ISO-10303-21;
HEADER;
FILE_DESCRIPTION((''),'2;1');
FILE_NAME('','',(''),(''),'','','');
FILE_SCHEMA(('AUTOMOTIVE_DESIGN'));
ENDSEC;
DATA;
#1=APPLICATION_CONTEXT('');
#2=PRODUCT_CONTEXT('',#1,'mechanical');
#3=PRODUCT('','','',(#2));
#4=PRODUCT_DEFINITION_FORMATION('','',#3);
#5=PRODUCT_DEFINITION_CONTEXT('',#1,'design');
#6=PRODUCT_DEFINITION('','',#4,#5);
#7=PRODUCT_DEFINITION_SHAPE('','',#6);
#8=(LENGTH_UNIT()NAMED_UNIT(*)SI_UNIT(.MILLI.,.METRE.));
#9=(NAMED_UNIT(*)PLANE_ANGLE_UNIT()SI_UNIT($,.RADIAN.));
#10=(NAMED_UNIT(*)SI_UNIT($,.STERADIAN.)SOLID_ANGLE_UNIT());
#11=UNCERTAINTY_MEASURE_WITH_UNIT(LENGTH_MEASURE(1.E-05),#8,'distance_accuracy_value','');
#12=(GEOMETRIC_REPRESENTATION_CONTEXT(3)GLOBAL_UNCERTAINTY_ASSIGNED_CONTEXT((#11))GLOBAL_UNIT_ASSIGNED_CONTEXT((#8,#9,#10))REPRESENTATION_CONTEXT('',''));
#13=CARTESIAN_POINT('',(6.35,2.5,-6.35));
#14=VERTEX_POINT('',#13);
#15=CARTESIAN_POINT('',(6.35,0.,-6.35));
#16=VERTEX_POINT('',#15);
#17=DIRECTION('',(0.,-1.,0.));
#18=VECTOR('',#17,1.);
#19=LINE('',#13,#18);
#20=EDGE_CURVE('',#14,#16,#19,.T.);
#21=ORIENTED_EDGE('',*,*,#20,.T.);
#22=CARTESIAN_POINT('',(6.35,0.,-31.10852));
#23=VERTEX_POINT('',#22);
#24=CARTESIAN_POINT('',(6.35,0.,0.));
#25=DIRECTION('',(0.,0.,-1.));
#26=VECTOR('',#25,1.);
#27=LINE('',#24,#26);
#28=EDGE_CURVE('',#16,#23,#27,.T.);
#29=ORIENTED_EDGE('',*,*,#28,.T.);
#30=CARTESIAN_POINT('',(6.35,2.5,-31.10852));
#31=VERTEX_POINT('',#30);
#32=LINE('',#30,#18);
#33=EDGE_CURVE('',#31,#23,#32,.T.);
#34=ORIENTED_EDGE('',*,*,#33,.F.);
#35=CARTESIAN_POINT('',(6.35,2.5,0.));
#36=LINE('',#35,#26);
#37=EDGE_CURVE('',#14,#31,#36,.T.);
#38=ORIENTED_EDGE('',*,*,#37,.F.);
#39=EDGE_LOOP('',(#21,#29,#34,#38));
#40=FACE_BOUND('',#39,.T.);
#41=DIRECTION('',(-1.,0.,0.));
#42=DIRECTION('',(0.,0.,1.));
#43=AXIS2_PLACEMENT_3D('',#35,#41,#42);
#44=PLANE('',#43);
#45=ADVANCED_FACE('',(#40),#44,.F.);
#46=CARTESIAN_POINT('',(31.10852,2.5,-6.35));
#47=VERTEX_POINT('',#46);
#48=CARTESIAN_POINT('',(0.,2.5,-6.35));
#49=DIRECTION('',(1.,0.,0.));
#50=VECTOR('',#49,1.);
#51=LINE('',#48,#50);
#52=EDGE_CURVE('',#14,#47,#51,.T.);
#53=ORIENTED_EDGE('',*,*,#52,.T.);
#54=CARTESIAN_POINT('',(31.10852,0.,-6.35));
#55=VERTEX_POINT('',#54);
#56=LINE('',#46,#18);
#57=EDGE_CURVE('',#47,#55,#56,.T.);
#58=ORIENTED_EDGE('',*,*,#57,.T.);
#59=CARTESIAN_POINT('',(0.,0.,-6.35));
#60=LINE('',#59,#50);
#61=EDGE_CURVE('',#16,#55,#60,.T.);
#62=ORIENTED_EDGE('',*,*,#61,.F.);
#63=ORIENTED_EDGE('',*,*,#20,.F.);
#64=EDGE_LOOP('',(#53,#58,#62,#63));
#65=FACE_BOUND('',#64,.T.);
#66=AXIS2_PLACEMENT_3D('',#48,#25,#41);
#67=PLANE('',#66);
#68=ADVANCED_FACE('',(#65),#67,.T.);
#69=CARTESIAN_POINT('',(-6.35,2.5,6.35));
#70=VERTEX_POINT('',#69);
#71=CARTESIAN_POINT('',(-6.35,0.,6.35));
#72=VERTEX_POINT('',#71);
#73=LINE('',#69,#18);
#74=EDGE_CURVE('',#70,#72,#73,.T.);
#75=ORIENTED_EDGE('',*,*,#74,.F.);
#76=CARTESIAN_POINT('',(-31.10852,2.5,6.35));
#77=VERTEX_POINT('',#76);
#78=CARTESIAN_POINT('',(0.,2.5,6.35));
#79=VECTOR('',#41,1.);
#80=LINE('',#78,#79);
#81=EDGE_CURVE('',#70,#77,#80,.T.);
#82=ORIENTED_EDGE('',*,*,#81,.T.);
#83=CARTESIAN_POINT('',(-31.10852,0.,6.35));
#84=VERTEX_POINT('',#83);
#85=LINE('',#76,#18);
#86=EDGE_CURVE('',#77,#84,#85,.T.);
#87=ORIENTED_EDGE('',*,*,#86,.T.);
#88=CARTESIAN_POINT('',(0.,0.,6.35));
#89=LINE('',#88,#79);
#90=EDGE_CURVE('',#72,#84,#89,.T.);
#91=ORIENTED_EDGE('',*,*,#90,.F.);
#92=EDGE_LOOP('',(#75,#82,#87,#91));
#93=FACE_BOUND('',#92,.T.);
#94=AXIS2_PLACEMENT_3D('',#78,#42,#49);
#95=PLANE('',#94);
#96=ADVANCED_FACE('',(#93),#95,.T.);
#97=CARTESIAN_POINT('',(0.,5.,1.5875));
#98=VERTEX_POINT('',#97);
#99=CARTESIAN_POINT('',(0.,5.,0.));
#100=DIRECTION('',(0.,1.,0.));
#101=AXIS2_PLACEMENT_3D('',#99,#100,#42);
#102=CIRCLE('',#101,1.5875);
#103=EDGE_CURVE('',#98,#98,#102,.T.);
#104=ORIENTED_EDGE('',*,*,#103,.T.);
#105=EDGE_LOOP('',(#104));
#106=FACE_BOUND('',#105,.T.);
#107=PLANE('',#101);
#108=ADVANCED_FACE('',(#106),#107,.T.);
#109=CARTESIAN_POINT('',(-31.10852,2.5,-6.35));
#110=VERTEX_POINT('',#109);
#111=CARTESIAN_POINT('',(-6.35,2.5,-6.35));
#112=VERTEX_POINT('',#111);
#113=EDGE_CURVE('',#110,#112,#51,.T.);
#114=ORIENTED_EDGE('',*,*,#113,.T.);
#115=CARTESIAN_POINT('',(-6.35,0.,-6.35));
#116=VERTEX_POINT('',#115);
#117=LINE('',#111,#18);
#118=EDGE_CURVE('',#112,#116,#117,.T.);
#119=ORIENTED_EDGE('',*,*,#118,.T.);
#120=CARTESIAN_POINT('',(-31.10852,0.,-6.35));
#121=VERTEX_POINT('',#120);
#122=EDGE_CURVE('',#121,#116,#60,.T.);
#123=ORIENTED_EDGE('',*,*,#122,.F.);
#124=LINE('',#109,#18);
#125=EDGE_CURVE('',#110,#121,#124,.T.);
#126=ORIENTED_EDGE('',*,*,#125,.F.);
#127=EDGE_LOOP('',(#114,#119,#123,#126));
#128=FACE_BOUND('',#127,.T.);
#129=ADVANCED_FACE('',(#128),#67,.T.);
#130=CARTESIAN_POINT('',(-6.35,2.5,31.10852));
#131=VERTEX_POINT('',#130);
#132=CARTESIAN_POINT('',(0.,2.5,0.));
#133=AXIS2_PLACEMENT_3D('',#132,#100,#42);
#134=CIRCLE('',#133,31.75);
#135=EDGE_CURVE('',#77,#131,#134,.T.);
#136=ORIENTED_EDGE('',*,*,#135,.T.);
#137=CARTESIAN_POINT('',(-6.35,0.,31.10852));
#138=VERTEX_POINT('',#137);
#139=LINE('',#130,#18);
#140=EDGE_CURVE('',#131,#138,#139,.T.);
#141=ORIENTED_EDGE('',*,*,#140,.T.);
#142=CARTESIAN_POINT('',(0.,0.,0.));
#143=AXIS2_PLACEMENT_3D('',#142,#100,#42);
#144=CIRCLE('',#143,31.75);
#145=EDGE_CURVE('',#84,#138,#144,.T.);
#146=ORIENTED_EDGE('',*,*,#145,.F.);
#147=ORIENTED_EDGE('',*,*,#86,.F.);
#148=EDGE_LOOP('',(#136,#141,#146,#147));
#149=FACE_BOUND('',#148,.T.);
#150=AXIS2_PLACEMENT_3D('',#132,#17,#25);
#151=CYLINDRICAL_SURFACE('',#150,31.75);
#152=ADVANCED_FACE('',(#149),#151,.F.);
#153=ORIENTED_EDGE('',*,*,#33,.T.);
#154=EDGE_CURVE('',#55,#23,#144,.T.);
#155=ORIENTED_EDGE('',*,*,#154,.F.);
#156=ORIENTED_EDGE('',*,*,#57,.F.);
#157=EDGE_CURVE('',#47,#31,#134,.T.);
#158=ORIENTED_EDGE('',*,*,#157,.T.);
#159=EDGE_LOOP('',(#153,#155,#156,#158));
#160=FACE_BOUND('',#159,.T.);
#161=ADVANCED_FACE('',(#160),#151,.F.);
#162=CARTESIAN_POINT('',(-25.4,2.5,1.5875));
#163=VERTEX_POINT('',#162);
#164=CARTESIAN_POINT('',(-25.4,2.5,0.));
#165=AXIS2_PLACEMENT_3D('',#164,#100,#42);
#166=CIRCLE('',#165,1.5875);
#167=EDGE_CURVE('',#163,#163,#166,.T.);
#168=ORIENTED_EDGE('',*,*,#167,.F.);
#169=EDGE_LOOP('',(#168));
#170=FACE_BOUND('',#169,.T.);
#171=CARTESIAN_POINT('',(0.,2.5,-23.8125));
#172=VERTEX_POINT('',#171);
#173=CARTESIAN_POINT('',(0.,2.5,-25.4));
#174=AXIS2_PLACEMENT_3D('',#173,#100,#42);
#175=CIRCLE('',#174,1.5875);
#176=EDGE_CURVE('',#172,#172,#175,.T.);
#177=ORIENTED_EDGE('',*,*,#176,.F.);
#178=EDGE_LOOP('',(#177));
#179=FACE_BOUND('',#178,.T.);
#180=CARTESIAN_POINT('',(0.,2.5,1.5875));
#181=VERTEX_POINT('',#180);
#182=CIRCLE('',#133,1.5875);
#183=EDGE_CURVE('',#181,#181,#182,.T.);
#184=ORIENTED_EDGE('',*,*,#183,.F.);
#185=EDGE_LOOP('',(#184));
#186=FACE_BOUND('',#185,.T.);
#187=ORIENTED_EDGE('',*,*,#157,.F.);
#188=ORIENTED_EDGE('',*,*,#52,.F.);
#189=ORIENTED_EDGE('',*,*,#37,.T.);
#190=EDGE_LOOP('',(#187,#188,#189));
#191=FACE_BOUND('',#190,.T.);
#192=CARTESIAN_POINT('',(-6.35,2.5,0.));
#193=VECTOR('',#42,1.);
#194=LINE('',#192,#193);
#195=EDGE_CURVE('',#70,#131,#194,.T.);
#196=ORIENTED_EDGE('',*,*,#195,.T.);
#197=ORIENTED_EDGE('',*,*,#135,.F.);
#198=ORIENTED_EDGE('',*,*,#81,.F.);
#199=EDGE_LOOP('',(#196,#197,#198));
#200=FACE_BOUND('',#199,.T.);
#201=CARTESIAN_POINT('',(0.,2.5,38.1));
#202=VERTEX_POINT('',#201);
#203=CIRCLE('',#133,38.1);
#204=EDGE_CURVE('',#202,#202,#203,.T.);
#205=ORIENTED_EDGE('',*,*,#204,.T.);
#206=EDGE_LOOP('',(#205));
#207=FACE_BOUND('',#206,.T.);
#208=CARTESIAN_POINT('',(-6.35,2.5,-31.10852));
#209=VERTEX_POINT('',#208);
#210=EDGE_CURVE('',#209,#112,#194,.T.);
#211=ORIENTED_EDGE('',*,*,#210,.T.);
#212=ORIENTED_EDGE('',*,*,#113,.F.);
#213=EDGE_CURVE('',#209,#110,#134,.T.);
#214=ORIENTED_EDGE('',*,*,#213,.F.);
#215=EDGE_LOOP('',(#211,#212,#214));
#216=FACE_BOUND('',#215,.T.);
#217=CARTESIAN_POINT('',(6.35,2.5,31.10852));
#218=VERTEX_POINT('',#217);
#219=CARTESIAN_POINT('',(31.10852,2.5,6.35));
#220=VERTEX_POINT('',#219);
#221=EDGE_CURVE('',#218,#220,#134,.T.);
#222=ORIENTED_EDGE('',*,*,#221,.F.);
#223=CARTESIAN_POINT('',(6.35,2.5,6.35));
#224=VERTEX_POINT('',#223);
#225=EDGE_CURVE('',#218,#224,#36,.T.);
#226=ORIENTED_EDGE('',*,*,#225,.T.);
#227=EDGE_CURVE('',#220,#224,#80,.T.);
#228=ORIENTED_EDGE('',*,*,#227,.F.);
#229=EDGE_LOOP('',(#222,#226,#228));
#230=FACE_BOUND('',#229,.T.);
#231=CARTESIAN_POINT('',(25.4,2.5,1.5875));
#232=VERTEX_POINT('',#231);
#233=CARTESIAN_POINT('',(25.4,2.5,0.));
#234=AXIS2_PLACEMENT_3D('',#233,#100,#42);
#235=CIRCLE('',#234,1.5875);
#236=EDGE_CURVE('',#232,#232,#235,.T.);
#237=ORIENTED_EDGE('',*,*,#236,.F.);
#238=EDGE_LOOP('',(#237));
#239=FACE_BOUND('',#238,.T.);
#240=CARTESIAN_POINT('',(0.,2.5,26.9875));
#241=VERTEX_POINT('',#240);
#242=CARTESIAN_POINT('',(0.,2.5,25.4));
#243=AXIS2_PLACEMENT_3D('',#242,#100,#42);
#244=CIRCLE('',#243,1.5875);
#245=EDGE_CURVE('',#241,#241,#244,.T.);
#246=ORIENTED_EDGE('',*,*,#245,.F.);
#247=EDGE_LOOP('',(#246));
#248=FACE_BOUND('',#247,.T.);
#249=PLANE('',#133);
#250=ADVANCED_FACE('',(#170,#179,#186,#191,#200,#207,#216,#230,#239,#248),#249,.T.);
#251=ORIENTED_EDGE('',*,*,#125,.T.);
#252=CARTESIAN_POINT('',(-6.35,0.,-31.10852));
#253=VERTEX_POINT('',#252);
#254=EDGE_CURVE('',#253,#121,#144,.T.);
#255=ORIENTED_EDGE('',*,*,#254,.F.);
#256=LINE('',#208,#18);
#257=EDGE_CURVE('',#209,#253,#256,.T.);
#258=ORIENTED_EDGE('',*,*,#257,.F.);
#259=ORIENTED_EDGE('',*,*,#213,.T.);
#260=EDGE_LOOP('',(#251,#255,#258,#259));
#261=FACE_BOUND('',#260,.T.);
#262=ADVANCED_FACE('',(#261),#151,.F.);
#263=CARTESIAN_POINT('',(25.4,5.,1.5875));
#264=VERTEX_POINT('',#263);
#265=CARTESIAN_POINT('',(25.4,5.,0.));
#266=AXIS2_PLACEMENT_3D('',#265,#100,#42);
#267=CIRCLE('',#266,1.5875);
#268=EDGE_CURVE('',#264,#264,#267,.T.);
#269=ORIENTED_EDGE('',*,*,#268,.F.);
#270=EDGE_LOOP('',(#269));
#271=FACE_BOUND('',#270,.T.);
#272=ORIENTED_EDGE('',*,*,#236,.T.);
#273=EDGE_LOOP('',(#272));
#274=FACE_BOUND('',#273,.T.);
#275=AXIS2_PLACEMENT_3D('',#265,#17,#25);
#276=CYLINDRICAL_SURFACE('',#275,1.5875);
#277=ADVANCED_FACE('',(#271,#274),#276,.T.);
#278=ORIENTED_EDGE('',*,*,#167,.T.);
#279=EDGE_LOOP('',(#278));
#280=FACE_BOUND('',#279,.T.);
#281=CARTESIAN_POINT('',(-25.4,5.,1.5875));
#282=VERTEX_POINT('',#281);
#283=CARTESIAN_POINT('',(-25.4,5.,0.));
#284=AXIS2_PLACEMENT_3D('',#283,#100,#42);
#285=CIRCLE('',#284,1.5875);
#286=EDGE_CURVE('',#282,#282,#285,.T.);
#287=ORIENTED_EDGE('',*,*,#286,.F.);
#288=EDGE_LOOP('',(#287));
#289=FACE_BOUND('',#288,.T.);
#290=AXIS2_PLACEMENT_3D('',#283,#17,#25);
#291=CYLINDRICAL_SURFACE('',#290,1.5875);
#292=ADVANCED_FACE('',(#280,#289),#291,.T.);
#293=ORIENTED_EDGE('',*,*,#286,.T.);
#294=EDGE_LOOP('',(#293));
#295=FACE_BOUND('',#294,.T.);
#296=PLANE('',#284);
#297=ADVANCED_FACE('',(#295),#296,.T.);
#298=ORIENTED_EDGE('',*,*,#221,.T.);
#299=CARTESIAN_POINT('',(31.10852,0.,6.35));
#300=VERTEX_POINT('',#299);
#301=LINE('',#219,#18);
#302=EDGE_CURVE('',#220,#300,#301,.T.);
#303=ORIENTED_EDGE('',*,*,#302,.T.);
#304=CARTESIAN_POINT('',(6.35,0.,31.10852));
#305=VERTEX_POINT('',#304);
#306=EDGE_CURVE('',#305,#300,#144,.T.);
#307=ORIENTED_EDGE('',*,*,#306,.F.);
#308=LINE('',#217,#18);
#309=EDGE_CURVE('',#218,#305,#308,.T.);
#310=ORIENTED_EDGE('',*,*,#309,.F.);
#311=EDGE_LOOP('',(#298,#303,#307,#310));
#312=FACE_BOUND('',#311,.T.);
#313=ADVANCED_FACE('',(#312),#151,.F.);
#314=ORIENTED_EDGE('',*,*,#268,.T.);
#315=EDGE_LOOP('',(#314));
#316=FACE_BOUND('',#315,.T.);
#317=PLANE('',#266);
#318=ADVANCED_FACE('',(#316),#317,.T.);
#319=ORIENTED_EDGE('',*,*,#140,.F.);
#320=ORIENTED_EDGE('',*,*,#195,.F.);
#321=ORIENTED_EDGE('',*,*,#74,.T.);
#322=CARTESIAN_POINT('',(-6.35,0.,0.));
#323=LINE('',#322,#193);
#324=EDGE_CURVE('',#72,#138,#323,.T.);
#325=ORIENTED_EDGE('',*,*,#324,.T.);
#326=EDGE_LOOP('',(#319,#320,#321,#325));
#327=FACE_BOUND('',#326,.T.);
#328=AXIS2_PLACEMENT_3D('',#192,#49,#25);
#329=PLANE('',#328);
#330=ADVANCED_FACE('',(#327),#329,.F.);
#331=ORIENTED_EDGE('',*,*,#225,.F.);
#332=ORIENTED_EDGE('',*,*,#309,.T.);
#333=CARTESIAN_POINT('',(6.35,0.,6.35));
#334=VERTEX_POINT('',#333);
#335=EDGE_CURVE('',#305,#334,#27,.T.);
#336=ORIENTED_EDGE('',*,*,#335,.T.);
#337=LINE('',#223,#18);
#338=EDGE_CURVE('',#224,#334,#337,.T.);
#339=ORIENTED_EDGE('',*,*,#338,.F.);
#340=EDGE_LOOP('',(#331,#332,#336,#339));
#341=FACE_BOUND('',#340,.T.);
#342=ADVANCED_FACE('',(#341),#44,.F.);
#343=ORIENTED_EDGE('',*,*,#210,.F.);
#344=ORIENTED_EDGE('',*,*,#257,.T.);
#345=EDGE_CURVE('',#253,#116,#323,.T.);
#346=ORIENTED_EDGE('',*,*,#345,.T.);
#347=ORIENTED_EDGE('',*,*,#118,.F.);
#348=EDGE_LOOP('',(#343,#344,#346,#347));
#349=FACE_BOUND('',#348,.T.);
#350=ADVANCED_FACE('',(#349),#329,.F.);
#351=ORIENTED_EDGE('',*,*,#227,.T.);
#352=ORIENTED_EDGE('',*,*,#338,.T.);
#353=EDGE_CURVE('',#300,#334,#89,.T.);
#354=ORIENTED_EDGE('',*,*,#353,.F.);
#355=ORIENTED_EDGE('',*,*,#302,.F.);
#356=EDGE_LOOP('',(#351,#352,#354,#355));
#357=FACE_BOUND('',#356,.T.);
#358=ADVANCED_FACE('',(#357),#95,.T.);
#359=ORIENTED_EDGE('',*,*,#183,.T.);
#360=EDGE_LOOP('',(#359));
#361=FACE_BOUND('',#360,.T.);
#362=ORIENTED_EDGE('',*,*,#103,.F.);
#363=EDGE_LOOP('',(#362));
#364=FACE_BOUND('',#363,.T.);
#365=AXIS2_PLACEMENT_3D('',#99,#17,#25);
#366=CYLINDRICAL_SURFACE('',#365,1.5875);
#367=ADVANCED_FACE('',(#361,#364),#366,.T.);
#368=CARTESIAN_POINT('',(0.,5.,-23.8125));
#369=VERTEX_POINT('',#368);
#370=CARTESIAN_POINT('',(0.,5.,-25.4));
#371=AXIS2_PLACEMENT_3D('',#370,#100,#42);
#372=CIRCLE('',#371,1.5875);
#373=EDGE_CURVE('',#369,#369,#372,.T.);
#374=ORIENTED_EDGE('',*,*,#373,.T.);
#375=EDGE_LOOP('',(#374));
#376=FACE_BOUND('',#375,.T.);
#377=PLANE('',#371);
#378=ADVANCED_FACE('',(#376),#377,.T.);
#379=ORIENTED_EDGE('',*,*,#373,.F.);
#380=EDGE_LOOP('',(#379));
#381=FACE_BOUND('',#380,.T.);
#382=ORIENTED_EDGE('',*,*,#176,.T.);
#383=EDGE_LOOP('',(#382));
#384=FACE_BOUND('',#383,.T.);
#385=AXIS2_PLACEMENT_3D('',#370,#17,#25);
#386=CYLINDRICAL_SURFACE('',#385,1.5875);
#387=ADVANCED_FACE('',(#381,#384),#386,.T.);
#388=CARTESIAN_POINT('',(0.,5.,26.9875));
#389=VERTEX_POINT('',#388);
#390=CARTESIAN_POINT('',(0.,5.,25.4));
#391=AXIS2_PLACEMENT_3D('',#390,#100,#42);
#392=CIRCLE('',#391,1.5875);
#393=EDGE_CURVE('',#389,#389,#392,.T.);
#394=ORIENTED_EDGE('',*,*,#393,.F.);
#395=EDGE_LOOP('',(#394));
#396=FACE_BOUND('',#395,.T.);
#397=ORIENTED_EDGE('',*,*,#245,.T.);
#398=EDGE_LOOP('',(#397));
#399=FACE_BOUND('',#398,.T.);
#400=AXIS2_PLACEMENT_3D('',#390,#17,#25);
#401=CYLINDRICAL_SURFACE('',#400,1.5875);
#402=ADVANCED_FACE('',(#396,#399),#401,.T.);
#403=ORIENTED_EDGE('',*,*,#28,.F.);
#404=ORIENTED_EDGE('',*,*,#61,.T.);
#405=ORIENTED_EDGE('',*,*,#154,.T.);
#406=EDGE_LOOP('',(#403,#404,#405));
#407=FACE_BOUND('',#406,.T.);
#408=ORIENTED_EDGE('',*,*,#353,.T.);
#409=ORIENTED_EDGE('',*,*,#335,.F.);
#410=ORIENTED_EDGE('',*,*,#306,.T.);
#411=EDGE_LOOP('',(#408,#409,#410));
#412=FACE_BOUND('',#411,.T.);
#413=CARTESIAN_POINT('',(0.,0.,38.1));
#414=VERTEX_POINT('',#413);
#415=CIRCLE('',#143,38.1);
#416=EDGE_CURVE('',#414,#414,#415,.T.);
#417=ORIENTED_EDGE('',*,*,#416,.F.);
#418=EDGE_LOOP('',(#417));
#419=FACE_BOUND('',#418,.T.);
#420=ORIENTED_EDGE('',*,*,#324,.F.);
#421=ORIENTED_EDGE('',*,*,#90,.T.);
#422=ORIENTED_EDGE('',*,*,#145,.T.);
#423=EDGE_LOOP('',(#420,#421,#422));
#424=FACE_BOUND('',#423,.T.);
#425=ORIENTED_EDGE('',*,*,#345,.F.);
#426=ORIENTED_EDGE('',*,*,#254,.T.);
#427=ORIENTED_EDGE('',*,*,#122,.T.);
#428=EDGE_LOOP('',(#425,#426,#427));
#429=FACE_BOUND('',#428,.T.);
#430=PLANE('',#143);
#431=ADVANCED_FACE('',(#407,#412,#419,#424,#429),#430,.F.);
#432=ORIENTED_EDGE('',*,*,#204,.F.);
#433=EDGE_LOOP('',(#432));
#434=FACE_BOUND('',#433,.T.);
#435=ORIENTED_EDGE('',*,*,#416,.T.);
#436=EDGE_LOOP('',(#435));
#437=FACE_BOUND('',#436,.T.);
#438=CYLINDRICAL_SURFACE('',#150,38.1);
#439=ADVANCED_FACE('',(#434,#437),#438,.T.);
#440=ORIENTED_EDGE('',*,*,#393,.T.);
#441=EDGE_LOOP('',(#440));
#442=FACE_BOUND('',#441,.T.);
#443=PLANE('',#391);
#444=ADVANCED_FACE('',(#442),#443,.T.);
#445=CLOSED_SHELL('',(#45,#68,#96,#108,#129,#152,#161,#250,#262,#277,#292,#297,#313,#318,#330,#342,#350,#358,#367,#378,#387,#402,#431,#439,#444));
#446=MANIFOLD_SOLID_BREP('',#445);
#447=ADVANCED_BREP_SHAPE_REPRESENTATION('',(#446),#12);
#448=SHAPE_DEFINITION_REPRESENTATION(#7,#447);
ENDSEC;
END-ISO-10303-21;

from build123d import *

# Parameters (mm, degrees)
SKETCH1_R           = 38.1
BOSS_EXTRUDE1_DEPTH = 2.5
SKETCH2_R           = 1.5875
BOSS_EXTRUDE2_DEPTH = 2.5


with BuildPart() as part:
    # Sketch1 → Boss-Extrude1 (new body)
    with BuildSketch(Plane(origin=(0, 0, 0), x_dir=(1, 0, 0), z_dir=(0, 1, 0))):
        Circle(SKETCH1_R)
        with BuildLine():
            ThreePointArc((6.35, -31.108519733), (22.450640303, -22.450640303), (31.108519733, -6.35))
            Line((31.108519733, -6.35), (6.35, -6.35))
            Line((6.35, -6.35), (6.35, -31.108519733))
        make_face(mode=Mode.SUBTRACT)
        with BuildLine():
            ThreePointArc((-31.108519733, -6.35), (-22.450640303, -22.450640303), (-6.35, -31.108519733))
            Line((-6.35, -31.108519733), (-6.35, -6.35))
            Line((-6.35, -6.35), (-31.108519733, -6.35))
        make_face(mode=Mode.SUBTRACT)
        with BuildLine():
            ThreePointArc((-6.35, 31.108519733), (-22.450640303, 22.450640303), (-31.108519733, 6.35))
            Line((-31.108519733, 6.35), (-6.35, 6.35))
            Line((-6.35, 6.35), (-6.35, 31.108519733))
        make_face(mode=Mode.SUBTRACT)
        with BuildLine():
            ThreePointArc((31.108519733, 6.35), (22.450640303, 22.450640303), (6.35, 31.108519733))
            Line((6.35, 31.108519733), (6.35, 6.35))
            Line((6.35, 6.35), (31.108519733, 6.35))
        make_face(mode=Mode.SUBTRACT)
    extrude(amount=BOSS_EXTRUDE1_DEPTH)

    # Sketch2 → Boss-Extrude2 (add)
    with BuildSketch(Plane(origin=(0, 2.5, 0), x_dir=(1, 0, 0), z_dir=(0, 1, 0))):
        Circle(SKETCH2_R)
        with Locations((-25.4, 0)):
            Circle(SKETCH2_R)
        with Locations((0, 25.4)):
            Circle(SKETCH2_R)
        with Locations((25.4, 0)):
            Circle(SKETCH2_R)
        with Locations((0, -25.4)):
            Circle(SKETCH2_R)
    extrude(amount=BOSS_EXTRUDE2_DEPTH)


solid = part.part
